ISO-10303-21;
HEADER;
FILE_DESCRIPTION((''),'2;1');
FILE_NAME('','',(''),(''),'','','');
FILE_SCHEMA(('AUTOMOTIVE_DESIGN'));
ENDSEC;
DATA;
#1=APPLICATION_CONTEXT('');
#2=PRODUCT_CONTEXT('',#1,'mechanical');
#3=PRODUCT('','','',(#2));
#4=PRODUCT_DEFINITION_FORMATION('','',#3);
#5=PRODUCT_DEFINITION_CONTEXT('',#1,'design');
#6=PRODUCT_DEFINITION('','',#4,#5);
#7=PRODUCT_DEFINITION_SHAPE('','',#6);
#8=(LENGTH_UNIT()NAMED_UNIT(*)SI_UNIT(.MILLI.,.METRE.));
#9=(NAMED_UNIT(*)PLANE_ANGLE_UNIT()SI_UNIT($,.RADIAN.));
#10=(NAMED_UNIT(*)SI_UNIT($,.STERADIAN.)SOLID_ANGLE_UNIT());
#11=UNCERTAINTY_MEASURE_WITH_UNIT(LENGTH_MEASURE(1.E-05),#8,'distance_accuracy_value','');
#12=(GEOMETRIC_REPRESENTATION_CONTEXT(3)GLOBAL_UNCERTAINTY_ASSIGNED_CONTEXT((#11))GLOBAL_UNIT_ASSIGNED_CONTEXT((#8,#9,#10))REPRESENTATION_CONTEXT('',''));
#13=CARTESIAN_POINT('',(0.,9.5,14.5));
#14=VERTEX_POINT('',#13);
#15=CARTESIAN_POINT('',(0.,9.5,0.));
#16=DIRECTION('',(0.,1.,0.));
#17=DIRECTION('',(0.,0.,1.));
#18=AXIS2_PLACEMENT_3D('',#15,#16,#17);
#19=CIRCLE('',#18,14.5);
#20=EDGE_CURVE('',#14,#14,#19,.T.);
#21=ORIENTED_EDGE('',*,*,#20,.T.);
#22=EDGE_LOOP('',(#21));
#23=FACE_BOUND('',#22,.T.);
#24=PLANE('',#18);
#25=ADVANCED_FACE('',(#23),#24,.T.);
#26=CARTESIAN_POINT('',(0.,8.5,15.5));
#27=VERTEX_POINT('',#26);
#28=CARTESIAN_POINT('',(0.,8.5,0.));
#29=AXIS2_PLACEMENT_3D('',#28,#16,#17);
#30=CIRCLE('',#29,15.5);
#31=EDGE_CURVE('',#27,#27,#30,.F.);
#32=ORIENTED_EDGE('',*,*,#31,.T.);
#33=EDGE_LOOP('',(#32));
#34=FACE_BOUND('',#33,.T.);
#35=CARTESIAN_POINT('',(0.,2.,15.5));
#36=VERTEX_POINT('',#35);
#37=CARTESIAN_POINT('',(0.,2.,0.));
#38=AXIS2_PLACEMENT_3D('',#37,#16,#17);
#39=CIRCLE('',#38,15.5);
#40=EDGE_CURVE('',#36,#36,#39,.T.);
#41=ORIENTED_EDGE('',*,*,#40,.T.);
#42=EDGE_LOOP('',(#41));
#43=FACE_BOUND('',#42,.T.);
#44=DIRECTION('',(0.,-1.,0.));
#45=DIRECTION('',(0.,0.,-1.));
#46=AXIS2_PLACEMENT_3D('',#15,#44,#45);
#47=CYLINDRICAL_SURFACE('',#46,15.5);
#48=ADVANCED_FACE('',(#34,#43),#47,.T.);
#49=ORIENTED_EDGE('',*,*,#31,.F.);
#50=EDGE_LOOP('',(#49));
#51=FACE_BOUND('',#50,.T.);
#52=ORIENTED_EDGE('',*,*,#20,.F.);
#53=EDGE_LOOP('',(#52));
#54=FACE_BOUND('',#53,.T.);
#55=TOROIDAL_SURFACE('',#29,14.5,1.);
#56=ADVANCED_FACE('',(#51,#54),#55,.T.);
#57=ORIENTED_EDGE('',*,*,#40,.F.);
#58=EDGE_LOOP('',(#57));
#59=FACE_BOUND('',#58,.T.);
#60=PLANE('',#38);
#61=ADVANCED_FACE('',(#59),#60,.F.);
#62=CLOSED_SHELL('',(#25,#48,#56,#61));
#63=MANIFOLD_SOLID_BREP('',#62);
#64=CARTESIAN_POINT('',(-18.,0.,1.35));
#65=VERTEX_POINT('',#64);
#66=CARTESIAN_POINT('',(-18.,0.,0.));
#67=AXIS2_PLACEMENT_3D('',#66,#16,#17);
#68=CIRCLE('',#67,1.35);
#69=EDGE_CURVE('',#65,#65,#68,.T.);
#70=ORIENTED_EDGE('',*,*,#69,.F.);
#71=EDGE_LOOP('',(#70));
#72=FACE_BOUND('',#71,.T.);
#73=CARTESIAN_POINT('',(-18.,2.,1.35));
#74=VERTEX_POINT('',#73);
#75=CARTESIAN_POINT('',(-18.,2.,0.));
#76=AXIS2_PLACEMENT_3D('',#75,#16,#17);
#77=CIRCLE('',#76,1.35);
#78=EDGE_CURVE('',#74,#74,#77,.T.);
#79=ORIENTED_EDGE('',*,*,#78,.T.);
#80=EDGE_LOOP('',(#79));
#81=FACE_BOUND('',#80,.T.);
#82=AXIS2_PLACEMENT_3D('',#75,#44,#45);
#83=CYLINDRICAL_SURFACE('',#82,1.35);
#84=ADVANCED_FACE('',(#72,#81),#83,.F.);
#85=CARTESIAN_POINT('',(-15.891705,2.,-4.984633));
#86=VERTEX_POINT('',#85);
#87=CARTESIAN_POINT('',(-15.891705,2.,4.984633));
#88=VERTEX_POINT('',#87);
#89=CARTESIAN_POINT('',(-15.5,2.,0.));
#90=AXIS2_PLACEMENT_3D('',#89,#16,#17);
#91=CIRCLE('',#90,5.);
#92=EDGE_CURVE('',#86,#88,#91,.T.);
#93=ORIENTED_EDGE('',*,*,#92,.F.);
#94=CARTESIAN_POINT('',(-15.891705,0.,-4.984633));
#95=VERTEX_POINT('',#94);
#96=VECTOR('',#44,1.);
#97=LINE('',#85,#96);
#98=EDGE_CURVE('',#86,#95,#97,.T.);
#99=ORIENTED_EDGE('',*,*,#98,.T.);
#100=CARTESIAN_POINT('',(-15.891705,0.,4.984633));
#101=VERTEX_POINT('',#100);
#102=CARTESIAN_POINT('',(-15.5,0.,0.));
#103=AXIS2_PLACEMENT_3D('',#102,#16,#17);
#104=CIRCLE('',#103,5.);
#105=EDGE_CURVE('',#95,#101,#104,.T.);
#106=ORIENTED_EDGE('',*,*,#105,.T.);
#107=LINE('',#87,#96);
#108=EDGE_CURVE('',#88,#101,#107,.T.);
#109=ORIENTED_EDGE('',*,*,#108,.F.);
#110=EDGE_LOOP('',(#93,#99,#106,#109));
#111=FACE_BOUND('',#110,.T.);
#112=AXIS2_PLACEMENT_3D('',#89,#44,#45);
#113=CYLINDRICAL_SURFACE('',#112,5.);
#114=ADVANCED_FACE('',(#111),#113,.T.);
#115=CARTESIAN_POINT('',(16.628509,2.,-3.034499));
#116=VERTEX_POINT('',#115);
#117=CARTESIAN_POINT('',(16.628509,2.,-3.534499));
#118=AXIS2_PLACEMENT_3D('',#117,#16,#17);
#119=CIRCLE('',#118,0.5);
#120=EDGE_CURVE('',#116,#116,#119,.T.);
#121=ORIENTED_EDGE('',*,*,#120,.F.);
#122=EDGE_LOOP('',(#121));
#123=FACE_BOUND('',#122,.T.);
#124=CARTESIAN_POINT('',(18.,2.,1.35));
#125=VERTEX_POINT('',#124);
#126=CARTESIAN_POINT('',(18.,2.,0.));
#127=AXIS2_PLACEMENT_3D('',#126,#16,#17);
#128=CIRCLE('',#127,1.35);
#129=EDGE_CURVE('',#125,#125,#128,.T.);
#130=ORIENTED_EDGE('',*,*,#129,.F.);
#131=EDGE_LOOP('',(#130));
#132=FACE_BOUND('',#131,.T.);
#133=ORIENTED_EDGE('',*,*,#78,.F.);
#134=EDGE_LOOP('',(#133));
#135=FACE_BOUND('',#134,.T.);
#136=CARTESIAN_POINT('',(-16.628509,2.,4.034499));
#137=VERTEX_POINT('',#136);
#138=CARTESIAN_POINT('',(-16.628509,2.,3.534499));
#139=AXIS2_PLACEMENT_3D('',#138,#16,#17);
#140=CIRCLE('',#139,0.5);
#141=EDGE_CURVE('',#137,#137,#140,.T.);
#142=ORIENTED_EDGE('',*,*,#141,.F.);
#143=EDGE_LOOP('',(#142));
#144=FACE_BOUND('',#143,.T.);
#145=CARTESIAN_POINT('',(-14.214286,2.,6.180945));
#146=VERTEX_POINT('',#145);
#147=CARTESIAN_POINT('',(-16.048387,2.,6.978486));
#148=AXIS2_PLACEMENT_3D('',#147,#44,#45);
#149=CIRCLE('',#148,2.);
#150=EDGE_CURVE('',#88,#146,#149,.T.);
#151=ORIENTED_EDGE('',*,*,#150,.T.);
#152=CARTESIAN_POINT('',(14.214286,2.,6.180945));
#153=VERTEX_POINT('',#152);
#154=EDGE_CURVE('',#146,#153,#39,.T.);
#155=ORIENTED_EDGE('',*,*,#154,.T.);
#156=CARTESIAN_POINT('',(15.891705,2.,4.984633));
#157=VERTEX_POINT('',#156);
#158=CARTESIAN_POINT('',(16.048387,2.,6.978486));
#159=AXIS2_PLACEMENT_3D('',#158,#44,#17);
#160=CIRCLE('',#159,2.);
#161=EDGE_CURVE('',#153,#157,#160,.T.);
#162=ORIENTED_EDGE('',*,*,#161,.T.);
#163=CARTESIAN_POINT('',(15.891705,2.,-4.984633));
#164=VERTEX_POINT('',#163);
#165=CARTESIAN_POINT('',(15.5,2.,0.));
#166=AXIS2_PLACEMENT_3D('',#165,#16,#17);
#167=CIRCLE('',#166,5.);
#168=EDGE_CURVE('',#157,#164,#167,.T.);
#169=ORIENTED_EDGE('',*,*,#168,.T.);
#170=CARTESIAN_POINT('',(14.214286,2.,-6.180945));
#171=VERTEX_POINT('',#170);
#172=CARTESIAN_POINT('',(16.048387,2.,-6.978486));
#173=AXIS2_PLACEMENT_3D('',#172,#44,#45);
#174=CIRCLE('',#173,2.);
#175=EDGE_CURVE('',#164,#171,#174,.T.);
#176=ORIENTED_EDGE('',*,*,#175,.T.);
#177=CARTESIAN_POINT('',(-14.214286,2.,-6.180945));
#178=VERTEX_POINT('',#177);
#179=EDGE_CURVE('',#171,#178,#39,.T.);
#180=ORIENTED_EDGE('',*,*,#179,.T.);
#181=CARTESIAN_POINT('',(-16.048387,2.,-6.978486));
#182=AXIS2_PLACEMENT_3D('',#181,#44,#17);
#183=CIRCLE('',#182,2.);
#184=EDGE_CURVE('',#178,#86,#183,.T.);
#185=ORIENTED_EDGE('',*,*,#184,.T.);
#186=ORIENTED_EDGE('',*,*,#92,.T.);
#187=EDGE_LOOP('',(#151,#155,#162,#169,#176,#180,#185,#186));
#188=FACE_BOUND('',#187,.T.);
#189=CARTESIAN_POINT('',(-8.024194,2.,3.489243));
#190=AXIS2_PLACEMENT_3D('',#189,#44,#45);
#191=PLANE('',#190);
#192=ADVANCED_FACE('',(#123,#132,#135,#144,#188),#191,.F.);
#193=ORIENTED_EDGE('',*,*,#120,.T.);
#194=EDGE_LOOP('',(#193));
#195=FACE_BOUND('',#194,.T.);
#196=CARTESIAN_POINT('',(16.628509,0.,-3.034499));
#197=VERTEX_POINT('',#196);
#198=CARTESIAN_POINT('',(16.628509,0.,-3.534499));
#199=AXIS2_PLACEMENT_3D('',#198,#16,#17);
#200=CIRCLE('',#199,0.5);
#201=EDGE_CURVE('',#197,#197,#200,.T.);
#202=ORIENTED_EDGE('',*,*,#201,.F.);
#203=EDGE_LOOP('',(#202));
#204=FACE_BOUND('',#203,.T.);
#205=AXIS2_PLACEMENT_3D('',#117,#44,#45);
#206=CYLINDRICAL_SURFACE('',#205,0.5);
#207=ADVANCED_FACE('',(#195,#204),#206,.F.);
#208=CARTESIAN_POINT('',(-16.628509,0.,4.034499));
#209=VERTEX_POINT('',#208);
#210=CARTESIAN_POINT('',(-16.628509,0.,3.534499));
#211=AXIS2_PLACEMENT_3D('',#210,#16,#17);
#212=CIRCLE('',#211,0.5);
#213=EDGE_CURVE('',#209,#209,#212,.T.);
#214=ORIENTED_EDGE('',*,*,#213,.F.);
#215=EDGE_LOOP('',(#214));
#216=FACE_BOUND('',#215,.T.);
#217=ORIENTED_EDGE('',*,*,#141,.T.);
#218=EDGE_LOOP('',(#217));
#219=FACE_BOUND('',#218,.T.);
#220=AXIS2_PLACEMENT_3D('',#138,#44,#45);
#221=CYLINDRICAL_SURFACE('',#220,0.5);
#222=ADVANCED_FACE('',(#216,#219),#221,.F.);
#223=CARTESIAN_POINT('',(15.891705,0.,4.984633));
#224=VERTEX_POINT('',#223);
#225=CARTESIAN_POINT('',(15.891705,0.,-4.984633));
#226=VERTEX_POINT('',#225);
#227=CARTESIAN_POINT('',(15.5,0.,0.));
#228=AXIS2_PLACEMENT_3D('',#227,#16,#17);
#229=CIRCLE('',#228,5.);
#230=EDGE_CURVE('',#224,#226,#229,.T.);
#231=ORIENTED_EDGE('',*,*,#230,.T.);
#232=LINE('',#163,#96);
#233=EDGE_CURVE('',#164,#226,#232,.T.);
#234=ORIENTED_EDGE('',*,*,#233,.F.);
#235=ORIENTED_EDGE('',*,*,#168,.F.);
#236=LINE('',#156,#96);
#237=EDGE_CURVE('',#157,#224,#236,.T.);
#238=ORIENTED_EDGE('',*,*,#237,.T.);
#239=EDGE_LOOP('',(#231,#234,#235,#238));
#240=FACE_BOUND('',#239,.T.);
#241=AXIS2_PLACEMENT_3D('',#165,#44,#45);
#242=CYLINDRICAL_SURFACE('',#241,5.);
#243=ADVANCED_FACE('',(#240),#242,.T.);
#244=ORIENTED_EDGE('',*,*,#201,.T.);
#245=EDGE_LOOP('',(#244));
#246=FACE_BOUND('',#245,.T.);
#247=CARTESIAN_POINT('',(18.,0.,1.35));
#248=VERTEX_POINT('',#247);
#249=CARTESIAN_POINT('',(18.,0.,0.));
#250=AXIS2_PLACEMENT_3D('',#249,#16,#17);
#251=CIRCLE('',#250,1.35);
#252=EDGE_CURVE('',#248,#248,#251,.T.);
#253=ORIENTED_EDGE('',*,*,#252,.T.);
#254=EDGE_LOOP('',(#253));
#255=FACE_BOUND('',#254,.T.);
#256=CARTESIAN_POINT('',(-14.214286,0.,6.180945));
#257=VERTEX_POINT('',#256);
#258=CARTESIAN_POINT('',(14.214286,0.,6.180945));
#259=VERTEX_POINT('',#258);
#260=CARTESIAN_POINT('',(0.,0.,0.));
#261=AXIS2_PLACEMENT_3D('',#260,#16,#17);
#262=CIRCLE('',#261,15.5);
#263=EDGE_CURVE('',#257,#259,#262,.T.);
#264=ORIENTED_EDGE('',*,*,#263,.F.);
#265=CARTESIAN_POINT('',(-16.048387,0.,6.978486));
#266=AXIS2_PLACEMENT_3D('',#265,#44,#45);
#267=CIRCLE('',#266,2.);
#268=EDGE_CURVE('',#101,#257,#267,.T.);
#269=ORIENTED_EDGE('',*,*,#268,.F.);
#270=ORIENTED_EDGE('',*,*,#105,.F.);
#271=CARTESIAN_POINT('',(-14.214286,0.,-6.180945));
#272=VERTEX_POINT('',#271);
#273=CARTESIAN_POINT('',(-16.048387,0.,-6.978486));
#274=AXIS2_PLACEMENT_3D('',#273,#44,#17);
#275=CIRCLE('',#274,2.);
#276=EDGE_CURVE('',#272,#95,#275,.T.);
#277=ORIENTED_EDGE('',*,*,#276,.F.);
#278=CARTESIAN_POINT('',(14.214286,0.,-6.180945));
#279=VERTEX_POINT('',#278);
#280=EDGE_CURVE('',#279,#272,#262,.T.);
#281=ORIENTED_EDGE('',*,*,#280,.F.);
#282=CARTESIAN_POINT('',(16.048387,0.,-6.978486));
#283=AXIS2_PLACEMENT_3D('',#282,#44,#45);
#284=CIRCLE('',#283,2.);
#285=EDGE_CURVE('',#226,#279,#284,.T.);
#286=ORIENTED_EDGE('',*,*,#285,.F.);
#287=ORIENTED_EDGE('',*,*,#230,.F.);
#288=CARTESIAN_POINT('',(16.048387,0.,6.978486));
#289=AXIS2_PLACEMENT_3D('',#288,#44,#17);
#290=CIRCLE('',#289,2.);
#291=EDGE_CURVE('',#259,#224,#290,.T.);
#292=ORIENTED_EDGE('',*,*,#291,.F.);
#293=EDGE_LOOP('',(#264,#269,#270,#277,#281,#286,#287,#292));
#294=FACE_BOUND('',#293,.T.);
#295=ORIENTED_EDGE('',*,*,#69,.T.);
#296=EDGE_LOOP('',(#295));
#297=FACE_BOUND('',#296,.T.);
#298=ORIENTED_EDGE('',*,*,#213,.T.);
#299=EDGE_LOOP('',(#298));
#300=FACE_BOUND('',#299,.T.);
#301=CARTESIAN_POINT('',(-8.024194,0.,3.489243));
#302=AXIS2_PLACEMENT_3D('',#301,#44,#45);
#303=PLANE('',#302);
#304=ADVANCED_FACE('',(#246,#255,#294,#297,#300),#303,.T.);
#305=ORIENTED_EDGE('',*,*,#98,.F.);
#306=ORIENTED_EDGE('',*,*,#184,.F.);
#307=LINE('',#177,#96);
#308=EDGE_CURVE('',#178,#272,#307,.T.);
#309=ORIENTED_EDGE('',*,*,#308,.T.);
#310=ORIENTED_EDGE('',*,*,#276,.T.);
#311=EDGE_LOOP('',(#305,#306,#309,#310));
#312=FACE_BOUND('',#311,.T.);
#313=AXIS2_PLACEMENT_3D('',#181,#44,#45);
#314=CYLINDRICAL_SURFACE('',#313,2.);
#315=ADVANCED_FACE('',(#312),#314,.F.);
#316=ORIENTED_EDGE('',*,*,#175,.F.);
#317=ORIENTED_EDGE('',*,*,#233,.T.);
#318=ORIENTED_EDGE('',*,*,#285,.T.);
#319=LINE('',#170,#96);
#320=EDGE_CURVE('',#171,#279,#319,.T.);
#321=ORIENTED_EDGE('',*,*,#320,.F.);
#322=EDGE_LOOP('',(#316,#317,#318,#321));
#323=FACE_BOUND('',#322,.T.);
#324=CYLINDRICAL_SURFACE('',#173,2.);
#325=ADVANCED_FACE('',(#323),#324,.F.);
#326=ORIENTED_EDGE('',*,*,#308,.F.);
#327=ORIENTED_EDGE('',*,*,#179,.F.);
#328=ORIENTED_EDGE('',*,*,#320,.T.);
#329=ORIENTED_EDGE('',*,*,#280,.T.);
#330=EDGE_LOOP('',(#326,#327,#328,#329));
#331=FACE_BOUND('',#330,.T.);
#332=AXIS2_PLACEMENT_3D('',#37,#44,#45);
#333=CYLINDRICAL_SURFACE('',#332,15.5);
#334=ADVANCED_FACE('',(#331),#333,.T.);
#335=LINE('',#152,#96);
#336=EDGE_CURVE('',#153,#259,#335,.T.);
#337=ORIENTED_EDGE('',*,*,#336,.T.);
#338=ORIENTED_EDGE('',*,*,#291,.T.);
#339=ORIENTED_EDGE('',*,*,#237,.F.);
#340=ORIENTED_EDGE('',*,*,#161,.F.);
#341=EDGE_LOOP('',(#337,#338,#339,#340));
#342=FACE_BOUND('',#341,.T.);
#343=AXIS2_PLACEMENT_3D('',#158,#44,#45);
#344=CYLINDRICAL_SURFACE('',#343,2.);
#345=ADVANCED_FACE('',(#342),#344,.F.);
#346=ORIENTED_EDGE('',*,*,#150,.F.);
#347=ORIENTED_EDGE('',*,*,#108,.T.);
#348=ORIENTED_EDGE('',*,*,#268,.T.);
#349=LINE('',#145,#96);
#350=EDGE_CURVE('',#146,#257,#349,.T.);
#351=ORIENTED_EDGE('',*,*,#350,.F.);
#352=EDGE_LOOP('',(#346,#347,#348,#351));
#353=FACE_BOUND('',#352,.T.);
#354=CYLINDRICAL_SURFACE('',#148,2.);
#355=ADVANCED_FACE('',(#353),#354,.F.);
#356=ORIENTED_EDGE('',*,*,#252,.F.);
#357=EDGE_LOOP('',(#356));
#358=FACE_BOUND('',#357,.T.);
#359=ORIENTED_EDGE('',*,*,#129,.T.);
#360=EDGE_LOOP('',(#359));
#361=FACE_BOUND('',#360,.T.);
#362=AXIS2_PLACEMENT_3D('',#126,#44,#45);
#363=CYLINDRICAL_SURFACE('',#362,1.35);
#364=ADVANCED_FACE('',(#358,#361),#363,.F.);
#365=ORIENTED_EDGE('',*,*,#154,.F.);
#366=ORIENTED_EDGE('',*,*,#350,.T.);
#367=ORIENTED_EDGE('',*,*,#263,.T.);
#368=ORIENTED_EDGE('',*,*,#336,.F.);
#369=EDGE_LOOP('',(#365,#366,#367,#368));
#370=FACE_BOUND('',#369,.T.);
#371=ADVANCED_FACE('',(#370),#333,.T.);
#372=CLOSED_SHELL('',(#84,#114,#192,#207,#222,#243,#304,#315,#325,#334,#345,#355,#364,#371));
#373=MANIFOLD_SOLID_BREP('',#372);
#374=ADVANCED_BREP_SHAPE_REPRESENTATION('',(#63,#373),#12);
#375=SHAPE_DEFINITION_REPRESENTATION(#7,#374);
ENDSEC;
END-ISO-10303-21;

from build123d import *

# Parameters (mm, degrees)
SKETCH1_R           = 1.35
SKETCH1_R_2         = 0.5
BOSS_EXTRUDE1_DEPTH = 2
SKETCH2_R           = 15.5
BOSS_EXTRUDE2_DEPTH = 7.5
FILLET1_R           = 1


with BuildPart() as part:
    # Sketch1 → Boss-Extrude1 (new body)
    with BuildSketch(Plane(origin=(0, 0, 0), x_dir=(1, 0, 0), z_dir=(0, 1, 0))):
        with BuildLine():
            ThreePointArc((-14.214285714, -6.180945044), (0, -15.5), (14.214285714, -6.180945044))
            ThreePointArc((14.214285714, -6.180945044), (14.887096774, -5.35017286), (15.891705069, -4.9846331))
            ThreePointArc((15.891705069, -4.9846331), (20.5, 0), (15.891705069, 4.9846331))
            ThreePointArc((15.891705069, 4.9846331), (14.887096774, 5.35017286), (14.214285714, 6.180945044))
            ThreePointArc((14.214285714, 6.180945044), (0, 15.5), (-14.214285714, 6.180945044))
            ThreePointArc((-14.214285714, 6.180945044), (-14.887096774, 5.35017286), (-15.891705069, 4.9846331))
            ThreePointArc((-15.891705069, 4.9846331), (-20.5, 0), (-15.891705069, -4.9846331))
            ThreePointArc((-15.891705069, -4.9846331), (-14.887096774, -5.35017286), (-14.214285714, -6.180945044))
        make_face()
        with Locations(Location((-18, 0, 0), (0, 0, 270))):
            Circle(SKETCH1_R, mode=Mode.SUBTRACT)
        with Locations(Location((18, 0, 0), (0, 0, 270))):
            Circle(SKETCH1_R, mode=Mode.SUBTRACT)
        with Locations(Location((16.628509212, 3.534498744, 0), (0, 0, 270))):
            Circle(SKETCH1_R_2, mode=Mode.SUBTRACT)
        with Locations(Location((-16.628509212, -3.534498744, 0), (0, 0, 270))):
            Circle(SKETCH1_R_2, mode=Mode.SUBTRACT)
    extrude(amount=BOSS_EXTRUDE1_DEPTH)


with BuildPart() as body_2:
    # Sketch2 → Boss-Extrude2 (new body)
    with BuildSketch(Plane(origin=(0, 2, 0), x_dir=(1, 0, 0), z_dir=(0, 1, 0))):
        with Locations(Location((0, 0, 0), (0, 0, 270))):
            Circle(SKETCH2_R)
    extrude(amount=BOSS_EXTRUDE2_DEPTH)

    # Fillet1
    fillet1_edges = [body_2.edges().sort_by_distance(p)[0] for p in [
        (0, 9.5, -15.5),
    ]]
    fillet(fillet1_edges, radius=FILLET1_R)


solid = Compound([part.part, body_2.part])
